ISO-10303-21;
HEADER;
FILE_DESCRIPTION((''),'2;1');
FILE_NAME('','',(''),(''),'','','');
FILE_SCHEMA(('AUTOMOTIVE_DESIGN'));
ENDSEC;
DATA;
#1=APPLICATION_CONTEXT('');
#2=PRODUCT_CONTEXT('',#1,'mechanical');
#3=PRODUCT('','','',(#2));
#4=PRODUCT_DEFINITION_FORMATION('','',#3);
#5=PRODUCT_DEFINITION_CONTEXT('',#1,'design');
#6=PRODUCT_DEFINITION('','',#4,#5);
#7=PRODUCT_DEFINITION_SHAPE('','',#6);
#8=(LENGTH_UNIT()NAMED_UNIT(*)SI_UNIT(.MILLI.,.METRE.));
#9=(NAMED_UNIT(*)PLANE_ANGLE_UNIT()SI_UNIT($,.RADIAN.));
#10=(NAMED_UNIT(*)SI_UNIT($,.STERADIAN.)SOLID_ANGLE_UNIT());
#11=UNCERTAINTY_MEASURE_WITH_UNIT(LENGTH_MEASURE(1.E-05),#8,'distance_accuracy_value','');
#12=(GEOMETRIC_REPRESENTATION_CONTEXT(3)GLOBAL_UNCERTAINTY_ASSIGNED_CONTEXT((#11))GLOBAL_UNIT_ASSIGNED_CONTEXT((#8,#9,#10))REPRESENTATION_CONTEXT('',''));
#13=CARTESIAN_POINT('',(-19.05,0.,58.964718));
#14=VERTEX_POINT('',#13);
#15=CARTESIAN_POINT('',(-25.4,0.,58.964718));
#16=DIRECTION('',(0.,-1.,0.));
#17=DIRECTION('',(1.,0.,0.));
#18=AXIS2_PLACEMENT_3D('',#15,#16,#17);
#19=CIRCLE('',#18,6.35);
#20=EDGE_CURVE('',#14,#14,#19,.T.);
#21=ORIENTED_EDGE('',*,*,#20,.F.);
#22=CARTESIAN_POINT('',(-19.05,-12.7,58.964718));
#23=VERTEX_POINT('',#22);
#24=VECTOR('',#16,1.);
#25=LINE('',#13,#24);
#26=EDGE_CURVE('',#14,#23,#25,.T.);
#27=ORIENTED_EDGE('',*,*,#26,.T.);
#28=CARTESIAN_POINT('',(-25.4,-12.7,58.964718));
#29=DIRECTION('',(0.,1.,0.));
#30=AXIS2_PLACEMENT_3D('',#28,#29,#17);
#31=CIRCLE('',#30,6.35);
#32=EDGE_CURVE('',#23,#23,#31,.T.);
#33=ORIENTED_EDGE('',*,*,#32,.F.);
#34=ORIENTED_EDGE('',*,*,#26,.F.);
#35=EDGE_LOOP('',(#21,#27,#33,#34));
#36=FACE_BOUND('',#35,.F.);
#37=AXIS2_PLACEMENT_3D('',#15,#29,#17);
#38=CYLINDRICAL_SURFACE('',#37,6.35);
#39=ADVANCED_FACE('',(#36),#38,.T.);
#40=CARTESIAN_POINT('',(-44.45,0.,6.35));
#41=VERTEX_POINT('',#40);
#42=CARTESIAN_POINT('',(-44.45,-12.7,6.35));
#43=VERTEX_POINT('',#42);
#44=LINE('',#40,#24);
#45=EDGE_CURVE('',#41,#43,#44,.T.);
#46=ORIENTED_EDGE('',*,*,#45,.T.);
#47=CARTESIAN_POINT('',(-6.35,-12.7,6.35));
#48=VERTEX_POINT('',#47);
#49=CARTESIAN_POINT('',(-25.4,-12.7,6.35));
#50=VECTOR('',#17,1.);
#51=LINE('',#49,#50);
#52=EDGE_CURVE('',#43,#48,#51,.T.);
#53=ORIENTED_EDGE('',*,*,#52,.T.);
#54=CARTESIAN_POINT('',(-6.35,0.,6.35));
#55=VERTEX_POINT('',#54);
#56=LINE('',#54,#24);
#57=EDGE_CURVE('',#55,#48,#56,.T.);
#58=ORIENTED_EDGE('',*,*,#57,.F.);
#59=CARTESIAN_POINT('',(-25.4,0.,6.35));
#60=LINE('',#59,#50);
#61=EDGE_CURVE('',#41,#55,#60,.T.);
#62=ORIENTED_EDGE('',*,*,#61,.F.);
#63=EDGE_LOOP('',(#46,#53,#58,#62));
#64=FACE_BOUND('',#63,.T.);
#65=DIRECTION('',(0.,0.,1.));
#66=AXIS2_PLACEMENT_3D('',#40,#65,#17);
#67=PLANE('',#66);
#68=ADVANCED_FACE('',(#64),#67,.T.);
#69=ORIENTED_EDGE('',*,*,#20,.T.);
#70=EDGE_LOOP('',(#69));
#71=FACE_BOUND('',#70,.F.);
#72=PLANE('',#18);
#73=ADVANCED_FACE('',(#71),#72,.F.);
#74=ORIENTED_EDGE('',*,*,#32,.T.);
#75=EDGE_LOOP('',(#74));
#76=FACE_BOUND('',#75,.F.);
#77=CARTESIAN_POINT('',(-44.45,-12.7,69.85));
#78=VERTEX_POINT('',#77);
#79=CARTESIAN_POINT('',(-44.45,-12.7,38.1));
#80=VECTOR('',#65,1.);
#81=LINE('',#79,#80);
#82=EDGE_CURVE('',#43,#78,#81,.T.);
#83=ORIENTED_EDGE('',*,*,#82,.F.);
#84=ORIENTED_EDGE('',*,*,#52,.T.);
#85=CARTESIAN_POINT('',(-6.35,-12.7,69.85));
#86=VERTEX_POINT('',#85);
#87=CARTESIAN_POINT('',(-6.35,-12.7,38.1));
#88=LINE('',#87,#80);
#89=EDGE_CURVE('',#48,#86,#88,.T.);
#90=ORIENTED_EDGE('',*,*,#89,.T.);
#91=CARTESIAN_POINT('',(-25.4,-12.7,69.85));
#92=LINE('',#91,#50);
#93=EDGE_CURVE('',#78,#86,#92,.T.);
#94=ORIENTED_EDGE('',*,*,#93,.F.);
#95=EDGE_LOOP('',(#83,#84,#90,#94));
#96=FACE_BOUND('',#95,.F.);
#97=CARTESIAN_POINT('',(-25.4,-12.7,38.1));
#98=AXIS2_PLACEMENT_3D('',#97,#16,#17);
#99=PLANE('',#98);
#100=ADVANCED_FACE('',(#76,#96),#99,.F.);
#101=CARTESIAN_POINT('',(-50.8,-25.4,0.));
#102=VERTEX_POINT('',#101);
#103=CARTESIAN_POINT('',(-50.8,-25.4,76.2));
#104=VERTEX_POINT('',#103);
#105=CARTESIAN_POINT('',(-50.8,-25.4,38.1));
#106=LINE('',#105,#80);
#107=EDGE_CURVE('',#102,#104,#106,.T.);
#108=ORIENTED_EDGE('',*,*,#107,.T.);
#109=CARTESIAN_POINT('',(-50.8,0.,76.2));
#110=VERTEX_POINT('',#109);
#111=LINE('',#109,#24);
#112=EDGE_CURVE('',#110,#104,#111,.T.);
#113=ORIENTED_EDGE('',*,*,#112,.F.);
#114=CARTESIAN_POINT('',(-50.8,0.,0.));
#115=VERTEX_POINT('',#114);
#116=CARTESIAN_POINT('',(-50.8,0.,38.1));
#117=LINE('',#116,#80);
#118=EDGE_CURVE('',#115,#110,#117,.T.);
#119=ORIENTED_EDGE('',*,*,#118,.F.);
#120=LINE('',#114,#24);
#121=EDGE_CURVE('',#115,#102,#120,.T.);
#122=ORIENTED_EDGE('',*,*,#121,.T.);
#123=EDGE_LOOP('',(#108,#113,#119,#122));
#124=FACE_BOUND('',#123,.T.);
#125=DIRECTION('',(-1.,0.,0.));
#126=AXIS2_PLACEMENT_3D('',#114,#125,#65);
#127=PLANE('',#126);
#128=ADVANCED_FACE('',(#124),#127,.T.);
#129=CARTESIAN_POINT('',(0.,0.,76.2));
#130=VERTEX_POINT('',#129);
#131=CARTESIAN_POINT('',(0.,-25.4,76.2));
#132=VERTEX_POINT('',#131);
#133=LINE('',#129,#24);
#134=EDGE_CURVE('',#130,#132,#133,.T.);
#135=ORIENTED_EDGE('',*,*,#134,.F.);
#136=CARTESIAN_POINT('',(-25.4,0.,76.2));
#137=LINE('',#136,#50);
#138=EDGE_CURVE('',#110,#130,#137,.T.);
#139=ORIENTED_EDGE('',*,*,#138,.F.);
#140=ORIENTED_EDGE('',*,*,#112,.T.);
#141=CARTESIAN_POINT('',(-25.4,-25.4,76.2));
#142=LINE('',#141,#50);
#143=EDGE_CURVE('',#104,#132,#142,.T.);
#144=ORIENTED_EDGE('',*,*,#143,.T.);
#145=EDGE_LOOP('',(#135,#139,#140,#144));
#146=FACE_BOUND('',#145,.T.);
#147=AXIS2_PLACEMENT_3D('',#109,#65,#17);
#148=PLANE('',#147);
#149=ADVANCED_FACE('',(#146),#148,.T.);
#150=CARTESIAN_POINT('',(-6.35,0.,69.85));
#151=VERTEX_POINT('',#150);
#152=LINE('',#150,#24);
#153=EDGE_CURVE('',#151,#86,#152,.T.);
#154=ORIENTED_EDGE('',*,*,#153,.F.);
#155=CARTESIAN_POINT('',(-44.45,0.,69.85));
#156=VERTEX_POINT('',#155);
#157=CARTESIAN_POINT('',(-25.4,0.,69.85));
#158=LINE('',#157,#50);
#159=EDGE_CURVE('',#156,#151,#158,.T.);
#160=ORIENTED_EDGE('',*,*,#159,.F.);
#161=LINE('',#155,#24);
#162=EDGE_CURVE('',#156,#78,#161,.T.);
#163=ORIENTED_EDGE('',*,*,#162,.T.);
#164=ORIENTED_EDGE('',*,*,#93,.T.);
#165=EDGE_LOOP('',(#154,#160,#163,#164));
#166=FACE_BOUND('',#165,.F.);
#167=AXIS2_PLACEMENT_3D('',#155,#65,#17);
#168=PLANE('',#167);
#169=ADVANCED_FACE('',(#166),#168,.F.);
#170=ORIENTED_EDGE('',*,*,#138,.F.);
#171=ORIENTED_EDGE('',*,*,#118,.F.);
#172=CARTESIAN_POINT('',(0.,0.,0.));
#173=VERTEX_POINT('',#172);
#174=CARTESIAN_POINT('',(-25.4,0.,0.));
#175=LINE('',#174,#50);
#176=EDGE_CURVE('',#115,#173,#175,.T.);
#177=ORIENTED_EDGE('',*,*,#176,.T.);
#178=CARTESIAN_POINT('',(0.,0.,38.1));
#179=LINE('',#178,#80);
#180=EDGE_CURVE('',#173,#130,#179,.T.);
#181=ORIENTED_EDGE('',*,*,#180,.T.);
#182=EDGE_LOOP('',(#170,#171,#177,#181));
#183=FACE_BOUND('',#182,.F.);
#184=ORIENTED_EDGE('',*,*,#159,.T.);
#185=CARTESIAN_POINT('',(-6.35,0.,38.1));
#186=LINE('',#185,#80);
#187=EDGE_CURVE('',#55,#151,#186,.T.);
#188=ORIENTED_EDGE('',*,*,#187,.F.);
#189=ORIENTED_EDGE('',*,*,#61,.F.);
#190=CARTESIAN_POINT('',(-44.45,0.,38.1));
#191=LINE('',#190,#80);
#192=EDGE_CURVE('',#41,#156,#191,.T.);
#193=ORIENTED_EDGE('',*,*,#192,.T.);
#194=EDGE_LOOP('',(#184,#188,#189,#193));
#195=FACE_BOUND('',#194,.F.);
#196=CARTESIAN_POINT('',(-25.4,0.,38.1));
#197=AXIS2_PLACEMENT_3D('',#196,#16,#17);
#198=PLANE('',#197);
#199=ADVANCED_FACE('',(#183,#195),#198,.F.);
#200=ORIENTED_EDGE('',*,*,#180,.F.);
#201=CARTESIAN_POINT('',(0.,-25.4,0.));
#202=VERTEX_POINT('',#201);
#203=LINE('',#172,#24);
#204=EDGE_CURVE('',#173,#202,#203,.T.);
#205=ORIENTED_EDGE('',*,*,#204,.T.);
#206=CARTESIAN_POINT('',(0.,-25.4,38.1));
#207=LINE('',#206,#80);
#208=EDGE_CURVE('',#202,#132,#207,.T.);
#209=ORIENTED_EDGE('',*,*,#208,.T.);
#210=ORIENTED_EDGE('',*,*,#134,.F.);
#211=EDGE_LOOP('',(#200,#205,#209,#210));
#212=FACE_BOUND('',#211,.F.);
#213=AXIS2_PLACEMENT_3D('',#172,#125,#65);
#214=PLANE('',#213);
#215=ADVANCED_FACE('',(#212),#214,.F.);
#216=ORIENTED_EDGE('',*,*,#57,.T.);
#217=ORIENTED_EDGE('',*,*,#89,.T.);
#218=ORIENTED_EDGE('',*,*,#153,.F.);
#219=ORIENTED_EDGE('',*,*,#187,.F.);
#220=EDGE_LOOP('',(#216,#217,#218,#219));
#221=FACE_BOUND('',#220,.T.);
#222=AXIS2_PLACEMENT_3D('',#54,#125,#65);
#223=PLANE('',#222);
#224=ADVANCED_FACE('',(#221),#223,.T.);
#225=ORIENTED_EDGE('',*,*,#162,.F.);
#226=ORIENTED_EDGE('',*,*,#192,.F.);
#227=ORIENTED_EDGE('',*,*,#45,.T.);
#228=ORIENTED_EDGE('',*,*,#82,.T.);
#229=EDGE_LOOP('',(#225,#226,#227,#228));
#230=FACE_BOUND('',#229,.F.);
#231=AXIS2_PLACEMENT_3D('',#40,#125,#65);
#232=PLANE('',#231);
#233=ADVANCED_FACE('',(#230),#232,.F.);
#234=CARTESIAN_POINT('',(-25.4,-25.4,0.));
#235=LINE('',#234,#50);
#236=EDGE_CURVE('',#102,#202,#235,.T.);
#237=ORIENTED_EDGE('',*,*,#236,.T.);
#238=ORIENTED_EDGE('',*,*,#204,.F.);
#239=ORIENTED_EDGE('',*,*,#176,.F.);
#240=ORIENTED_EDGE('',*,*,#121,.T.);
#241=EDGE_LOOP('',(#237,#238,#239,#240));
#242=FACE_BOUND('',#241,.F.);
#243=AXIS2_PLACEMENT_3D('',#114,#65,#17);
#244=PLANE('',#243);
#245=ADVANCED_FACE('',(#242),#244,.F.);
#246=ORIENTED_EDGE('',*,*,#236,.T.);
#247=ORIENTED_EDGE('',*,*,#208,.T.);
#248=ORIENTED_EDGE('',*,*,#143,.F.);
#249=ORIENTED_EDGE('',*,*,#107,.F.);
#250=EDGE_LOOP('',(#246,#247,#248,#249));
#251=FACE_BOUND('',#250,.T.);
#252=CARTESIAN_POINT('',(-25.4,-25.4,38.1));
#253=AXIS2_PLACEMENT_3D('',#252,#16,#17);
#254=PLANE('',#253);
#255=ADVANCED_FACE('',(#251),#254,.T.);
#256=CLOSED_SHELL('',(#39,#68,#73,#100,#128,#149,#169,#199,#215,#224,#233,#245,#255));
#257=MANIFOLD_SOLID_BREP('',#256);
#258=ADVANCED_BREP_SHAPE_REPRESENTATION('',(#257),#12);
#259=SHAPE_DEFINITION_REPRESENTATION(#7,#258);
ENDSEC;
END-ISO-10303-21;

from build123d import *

# Parameters (mm, degrees)
F0_W     = 50.8
F0_H     = 76.2
F1_DEPTH = 25.4
F2_W     = 38.1
F2_H     = 63.5
F3_DEPTH = 12.7
F4_R     = 6.35
F5_DEPTH = 25.4


with BuildPart() as f1:
    # F0 (on Front) → F1 (new body)
    with BuildSketch(Plane.XZ):
        with Locations((-25.4, 38.1)):
            Rectangle(F0_W, F0_H)
    extrude(amount=F1_DEPTH)

    # F2 (on Front) → F3 (cut)
    with BuildSketch(Plane.XZ):
        with Locations((-25.4, 38.1)):
            Rectangle(F2_W, F2_H)
    extrude(amount=F3_DEPTH, mode=Mode.SUBTRACT)

    # F4 (on Front) → F5 (join)
    with BuildSketch(Plane.XZ):
        with Locations((-25.4, 58.964718)):
            Circle(F4_R)
    extrude(amount=F5_DEPTH)


solid = f1.part
